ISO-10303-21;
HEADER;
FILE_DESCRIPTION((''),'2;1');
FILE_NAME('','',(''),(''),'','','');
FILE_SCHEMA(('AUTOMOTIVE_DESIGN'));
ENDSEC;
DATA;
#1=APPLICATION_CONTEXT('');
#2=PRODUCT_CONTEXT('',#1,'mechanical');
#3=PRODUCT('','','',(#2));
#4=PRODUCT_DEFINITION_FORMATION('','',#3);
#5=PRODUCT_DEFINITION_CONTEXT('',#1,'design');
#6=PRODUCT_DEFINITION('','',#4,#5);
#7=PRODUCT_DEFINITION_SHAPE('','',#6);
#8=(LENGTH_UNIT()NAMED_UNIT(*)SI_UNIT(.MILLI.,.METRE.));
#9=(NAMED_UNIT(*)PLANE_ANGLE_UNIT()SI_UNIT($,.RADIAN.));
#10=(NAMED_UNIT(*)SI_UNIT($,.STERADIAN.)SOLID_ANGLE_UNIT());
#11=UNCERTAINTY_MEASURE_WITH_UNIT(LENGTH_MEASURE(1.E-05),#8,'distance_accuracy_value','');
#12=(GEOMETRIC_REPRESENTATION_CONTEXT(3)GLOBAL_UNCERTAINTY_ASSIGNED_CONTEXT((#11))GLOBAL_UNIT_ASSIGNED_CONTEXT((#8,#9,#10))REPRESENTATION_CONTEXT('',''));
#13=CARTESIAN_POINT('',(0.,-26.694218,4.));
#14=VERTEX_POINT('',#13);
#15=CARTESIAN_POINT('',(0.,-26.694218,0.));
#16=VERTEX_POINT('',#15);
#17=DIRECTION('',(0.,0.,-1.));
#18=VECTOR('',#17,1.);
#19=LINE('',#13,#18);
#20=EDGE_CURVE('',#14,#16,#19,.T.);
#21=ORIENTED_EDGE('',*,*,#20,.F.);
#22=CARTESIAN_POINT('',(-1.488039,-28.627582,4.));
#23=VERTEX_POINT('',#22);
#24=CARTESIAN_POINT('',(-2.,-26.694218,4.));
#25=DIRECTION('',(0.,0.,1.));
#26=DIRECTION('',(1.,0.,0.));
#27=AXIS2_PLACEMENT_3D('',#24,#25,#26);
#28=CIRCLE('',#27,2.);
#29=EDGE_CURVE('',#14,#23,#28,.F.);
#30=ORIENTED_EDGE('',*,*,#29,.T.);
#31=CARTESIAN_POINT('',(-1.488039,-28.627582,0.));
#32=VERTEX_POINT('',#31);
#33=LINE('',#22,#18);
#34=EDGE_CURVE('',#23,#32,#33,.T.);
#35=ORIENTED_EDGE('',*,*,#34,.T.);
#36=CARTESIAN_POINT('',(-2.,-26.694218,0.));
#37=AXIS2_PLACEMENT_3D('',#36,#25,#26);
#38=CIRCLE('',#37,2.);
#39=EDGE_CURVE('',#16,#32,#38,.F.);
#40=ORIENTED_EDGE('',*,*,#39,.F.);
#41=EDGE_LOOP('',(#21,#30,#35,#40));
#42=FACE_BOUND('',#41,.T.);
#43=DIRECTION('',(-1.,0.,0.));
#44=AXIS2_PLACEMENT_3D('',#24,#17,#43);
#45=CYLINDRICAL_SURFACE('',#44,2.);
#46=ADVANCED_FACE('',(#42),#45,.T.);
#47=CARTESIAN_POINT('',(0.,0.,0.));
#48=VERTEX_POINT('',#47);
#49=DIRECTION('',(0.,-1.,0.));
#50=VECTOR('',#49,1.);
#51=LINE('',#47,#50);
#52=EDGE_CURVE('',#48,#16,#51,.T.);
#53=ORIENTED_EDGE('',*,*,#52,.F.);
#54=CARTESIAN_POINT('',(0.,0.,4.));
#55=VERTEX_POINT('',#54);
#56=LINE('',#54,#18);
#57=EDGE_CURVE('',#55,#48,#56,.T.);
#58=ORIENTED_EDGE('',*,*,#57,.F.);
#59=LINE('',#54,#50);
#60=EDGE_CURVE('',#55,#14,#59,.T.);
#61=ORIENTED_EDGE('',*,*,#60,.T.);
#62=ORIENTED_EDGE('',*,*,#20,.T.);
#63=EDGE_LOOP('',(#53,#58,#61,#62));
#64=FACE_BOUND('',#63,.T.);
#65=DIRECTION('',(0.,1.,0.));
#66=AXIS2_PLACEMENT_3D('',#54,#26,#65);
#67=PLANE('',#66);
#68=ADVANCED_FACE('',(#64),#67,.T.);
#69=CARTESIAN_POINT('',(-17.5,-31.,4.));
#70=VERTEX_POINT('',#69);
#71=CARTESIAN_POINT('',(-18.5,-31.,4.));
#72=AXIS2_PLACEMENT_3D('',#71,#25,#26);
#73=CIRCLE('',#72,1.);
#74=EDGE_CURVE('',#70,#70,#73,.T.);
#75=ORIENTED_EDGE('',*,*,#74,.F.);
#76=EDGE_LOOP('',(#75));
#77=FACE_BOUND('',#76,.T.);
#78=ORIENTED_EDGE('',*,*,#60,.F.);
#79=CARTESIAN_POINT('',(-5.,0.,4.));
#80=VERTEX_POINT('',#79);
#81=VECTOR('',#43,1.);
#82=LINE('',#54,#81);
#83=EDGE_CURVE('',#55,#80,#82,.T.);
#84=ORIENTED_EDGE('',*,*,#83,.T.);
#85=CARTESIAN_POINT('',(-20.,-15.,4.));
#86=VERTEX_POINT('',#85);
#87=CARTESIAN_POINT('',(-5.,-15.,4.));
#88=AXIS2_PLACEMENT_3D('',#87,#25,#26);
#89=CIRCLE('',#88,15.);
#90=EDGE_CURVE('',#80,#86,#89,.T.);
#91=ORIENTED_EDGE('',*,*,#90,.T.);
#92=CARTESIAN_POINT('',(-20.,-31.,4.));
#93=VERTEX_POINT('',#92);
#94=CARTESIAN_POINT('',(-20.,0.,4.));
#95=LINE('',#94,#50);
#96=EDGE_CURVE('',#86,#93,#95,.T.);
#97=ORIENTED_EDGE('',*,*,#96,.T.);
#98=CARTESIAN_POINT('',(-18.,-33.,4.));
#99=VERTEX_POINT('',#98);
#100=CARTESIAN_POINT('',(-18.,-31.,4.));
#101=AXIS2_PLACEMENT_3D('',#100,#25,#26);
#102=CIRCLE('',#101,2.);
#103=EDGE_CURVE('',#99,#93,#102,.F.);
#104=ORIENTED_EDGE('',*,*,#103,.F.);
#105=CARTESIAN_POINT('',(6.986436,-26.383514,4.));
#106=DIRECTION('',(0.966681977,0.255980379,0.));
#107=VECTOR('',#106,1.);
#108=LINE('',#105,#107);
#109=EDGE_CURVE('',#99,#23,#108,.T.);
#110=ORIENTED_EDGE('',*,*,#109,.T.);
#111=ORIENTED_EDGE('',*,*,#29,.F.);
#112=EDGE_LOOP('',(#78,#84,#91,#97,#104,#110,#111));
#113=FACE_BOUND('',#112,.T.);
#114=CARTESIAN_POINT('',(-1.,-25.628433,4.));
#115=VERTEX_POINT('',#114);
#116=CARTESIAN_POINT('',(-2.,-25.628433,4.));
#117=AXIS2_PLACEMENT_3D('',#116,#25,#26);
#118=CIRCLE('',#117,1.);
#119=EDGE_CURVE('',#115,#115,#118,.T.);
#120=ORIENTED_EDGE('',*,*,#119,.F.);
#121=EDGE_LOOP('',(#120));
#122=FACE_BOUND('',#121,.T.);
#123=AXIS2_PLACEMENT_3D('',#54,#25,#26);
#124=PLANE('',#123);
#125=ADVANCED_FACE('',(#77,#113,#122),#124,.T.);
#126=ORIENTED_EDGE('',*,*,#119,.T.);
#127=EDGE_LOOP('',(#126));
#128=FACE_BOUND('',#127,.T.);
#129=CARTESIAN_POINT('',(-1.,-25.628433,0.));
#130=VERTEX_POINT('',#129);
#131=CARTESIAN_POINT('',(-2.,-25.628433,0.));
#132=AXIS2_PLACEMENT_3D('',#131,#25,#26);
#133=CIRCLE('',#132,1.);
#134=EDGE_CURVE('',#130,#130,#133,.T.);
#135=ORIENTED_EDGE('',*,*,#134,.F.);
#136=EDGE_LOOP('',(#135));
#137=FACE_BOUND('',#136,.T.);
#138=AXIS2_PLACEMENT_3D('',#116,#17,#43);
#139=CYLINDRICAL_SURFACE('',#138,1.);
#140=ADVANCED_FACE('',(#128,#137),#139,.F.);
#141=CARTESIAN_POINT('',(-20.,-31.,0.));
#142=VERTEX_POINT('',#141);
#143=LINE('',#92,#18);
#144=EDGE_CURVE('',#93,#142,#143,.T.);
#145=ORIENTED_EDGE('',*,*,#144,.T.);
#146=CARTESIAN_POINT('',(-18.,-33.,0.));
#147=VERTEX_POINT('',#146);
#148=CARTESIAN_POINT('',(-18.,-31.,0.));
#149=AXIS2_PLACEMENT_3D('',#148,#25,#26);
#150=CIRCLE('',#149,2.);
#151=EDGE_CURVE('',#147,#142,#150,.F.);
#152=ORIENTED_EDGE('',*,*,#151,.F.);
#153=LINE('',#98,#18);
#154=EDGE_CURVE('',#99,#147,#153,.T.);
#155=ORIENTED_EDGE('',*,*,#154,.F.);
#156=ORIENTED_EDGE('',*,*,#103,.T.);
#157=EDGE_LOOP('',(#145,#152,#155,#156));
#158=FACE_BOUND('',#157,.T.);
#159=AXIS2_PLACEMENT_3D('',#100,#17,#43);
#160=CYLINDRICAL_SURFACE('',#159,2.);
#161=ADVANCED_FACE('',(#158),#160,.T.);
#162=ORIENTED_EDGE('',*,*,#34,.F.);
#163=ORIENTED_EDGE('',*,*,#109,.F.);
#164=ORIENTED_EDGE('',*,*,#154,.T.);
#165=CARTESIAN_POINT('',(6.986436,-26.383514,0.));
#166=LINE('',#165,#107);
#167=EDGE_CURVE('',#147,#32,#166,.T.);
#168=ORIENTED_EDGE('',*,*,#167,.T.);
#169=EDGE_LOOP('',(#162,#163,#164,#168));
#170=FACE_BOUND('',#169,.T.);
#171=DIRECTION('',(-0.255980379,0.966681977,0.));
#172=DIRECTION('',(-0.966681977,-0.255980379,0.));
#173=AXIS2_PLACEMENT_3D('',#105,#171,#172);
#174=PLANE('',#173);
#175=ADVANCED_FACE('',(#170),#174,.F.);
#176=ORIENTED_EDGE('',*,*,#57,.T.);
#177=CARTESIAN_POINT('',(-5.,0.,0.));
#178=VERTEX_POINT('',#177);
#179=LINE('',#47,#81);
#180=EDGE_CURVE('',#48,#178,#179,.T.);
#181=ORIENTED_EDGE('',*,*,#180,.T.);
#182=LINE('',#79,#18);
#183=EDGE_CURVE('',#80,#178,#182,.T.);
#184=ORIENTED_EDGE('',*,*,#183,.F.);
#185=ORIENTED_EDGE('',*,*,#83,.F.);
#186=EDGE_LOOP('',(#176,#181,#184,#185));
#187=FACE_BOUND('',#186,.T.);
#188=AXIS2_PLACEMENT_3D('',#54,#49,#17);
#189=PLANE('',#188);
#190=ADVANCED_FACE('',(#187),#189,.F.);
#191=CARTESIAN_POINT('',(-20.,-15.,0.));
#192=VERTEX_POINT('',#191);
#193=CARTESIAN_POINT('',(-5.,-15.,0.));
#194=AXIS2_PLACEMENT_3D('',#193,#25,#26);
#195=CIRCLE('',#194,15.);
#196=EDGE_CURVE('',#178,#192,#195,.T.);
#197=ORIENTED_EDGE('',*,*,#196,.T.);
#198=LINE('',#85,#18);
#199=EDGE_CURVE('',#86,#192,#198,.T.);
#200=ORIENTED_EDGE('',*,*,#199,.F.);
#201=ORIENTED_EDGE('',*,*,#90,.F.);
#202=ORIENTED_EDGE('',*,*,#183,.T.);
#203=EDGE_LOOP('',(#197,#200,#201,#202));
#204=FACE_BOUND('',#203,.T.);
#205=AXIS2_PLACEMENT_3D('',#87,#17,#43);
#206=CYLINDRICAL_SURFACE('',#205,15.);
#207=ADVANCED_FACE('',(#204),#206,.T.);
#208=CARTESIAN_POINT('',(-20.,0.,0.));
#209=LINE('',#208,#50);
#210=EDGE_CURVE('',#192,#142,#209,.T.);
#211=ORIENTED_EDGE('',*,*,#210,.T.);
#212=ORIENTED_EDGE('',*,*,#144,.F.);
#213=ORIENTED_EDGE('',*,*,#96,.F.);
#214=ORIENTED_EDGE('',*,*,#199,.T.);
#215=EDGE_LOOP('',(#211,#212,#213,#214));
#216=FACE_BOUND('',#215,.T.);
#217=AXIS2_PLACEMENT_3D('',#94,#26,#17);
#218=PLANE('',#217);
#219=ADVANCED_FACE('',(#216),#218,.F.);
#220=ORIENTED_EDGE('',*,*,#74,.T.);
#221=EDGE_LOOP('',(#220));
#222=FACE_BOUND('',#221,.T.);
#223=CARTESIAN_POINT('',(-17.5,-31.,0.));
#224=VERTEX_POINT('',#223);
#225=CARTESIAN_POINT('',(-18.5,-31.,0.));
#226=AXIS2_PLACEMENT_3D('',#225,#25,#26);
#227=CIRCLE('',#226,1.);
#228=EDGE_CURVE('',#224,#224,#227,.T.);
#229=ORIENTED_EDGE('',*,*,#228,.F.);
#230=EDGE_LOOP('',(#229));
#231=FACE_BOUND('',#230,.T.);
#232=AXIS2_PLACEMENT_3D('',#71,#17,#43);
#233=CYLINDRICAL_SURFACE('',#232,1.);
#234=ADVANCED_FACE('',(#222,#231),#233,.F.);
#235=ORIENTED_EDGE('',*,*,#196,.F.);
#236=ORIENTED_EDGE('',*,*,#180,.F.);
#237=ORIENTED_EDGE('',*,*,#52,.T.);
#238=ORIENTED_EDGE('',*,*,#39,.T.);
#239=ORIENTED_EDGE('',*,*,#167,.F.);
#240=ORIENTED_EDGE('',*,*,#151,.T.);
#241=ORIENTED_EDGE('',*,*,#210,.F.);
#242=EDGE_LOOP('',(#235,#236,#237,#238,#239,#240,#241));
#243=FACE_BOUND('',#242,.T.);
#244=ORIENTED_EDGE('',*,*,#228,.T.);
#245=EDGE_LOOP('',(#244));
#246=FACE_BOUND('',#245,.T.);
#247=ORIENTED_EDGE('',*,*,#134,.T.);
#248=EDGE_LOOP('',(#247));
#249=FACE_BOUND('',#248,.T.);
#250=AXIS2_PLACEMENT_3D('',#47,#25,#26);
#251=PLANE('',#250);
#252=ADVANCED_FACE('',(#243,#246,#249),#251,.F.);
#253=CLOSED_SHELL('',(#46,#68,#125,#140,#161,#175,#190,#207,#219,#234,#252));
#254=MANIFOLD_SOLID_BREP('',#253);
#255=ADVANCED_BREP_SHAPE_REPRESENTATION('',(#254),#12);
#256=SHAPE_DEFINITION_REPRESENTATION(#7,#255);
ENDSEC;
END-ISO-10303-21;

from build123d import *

# Parameters (mm, degrees)
SKETCH1_R           = 1
BOSS_EXTRUDE1_DEPTH = 4


with BuildPart() as part:
    # Sketch1 → Boss-Extrude1 (new body)
    with BuildSketch(Plane.XY):
        with BuildLine():
            Line((0, 0), (-5, 0))
            ThreePointArc((-5, 0), (-15.606601718, -4.393398282), (-20, -15))
            Line((-20, -15), (-20, -31))
            ThreePointArc((-20, -31), (-19.414213562, -32.414213562), (-18, -33))
            Line((-18, -33), (-1.488039242, -28.627581694))
            ThreePointArc((-1.488039242, -28.627581694), (-0.415083359, -27.914069878), (0, -26.694217739))
            Line((0, -26.694217739), (0, 0))
        make_face()
        with Locations((-18.5, -31)):
            Circle(SKETCH1_R, mode=Mode.SUBTRACT)
        with Locations((-2, -25.628432728)):
            Circle(SKETCH1_R, mode=Mode.SUBTRACT)
    extrude(amount=BOSS_EXTRUDE1_DEPTH)


solid = part.part
